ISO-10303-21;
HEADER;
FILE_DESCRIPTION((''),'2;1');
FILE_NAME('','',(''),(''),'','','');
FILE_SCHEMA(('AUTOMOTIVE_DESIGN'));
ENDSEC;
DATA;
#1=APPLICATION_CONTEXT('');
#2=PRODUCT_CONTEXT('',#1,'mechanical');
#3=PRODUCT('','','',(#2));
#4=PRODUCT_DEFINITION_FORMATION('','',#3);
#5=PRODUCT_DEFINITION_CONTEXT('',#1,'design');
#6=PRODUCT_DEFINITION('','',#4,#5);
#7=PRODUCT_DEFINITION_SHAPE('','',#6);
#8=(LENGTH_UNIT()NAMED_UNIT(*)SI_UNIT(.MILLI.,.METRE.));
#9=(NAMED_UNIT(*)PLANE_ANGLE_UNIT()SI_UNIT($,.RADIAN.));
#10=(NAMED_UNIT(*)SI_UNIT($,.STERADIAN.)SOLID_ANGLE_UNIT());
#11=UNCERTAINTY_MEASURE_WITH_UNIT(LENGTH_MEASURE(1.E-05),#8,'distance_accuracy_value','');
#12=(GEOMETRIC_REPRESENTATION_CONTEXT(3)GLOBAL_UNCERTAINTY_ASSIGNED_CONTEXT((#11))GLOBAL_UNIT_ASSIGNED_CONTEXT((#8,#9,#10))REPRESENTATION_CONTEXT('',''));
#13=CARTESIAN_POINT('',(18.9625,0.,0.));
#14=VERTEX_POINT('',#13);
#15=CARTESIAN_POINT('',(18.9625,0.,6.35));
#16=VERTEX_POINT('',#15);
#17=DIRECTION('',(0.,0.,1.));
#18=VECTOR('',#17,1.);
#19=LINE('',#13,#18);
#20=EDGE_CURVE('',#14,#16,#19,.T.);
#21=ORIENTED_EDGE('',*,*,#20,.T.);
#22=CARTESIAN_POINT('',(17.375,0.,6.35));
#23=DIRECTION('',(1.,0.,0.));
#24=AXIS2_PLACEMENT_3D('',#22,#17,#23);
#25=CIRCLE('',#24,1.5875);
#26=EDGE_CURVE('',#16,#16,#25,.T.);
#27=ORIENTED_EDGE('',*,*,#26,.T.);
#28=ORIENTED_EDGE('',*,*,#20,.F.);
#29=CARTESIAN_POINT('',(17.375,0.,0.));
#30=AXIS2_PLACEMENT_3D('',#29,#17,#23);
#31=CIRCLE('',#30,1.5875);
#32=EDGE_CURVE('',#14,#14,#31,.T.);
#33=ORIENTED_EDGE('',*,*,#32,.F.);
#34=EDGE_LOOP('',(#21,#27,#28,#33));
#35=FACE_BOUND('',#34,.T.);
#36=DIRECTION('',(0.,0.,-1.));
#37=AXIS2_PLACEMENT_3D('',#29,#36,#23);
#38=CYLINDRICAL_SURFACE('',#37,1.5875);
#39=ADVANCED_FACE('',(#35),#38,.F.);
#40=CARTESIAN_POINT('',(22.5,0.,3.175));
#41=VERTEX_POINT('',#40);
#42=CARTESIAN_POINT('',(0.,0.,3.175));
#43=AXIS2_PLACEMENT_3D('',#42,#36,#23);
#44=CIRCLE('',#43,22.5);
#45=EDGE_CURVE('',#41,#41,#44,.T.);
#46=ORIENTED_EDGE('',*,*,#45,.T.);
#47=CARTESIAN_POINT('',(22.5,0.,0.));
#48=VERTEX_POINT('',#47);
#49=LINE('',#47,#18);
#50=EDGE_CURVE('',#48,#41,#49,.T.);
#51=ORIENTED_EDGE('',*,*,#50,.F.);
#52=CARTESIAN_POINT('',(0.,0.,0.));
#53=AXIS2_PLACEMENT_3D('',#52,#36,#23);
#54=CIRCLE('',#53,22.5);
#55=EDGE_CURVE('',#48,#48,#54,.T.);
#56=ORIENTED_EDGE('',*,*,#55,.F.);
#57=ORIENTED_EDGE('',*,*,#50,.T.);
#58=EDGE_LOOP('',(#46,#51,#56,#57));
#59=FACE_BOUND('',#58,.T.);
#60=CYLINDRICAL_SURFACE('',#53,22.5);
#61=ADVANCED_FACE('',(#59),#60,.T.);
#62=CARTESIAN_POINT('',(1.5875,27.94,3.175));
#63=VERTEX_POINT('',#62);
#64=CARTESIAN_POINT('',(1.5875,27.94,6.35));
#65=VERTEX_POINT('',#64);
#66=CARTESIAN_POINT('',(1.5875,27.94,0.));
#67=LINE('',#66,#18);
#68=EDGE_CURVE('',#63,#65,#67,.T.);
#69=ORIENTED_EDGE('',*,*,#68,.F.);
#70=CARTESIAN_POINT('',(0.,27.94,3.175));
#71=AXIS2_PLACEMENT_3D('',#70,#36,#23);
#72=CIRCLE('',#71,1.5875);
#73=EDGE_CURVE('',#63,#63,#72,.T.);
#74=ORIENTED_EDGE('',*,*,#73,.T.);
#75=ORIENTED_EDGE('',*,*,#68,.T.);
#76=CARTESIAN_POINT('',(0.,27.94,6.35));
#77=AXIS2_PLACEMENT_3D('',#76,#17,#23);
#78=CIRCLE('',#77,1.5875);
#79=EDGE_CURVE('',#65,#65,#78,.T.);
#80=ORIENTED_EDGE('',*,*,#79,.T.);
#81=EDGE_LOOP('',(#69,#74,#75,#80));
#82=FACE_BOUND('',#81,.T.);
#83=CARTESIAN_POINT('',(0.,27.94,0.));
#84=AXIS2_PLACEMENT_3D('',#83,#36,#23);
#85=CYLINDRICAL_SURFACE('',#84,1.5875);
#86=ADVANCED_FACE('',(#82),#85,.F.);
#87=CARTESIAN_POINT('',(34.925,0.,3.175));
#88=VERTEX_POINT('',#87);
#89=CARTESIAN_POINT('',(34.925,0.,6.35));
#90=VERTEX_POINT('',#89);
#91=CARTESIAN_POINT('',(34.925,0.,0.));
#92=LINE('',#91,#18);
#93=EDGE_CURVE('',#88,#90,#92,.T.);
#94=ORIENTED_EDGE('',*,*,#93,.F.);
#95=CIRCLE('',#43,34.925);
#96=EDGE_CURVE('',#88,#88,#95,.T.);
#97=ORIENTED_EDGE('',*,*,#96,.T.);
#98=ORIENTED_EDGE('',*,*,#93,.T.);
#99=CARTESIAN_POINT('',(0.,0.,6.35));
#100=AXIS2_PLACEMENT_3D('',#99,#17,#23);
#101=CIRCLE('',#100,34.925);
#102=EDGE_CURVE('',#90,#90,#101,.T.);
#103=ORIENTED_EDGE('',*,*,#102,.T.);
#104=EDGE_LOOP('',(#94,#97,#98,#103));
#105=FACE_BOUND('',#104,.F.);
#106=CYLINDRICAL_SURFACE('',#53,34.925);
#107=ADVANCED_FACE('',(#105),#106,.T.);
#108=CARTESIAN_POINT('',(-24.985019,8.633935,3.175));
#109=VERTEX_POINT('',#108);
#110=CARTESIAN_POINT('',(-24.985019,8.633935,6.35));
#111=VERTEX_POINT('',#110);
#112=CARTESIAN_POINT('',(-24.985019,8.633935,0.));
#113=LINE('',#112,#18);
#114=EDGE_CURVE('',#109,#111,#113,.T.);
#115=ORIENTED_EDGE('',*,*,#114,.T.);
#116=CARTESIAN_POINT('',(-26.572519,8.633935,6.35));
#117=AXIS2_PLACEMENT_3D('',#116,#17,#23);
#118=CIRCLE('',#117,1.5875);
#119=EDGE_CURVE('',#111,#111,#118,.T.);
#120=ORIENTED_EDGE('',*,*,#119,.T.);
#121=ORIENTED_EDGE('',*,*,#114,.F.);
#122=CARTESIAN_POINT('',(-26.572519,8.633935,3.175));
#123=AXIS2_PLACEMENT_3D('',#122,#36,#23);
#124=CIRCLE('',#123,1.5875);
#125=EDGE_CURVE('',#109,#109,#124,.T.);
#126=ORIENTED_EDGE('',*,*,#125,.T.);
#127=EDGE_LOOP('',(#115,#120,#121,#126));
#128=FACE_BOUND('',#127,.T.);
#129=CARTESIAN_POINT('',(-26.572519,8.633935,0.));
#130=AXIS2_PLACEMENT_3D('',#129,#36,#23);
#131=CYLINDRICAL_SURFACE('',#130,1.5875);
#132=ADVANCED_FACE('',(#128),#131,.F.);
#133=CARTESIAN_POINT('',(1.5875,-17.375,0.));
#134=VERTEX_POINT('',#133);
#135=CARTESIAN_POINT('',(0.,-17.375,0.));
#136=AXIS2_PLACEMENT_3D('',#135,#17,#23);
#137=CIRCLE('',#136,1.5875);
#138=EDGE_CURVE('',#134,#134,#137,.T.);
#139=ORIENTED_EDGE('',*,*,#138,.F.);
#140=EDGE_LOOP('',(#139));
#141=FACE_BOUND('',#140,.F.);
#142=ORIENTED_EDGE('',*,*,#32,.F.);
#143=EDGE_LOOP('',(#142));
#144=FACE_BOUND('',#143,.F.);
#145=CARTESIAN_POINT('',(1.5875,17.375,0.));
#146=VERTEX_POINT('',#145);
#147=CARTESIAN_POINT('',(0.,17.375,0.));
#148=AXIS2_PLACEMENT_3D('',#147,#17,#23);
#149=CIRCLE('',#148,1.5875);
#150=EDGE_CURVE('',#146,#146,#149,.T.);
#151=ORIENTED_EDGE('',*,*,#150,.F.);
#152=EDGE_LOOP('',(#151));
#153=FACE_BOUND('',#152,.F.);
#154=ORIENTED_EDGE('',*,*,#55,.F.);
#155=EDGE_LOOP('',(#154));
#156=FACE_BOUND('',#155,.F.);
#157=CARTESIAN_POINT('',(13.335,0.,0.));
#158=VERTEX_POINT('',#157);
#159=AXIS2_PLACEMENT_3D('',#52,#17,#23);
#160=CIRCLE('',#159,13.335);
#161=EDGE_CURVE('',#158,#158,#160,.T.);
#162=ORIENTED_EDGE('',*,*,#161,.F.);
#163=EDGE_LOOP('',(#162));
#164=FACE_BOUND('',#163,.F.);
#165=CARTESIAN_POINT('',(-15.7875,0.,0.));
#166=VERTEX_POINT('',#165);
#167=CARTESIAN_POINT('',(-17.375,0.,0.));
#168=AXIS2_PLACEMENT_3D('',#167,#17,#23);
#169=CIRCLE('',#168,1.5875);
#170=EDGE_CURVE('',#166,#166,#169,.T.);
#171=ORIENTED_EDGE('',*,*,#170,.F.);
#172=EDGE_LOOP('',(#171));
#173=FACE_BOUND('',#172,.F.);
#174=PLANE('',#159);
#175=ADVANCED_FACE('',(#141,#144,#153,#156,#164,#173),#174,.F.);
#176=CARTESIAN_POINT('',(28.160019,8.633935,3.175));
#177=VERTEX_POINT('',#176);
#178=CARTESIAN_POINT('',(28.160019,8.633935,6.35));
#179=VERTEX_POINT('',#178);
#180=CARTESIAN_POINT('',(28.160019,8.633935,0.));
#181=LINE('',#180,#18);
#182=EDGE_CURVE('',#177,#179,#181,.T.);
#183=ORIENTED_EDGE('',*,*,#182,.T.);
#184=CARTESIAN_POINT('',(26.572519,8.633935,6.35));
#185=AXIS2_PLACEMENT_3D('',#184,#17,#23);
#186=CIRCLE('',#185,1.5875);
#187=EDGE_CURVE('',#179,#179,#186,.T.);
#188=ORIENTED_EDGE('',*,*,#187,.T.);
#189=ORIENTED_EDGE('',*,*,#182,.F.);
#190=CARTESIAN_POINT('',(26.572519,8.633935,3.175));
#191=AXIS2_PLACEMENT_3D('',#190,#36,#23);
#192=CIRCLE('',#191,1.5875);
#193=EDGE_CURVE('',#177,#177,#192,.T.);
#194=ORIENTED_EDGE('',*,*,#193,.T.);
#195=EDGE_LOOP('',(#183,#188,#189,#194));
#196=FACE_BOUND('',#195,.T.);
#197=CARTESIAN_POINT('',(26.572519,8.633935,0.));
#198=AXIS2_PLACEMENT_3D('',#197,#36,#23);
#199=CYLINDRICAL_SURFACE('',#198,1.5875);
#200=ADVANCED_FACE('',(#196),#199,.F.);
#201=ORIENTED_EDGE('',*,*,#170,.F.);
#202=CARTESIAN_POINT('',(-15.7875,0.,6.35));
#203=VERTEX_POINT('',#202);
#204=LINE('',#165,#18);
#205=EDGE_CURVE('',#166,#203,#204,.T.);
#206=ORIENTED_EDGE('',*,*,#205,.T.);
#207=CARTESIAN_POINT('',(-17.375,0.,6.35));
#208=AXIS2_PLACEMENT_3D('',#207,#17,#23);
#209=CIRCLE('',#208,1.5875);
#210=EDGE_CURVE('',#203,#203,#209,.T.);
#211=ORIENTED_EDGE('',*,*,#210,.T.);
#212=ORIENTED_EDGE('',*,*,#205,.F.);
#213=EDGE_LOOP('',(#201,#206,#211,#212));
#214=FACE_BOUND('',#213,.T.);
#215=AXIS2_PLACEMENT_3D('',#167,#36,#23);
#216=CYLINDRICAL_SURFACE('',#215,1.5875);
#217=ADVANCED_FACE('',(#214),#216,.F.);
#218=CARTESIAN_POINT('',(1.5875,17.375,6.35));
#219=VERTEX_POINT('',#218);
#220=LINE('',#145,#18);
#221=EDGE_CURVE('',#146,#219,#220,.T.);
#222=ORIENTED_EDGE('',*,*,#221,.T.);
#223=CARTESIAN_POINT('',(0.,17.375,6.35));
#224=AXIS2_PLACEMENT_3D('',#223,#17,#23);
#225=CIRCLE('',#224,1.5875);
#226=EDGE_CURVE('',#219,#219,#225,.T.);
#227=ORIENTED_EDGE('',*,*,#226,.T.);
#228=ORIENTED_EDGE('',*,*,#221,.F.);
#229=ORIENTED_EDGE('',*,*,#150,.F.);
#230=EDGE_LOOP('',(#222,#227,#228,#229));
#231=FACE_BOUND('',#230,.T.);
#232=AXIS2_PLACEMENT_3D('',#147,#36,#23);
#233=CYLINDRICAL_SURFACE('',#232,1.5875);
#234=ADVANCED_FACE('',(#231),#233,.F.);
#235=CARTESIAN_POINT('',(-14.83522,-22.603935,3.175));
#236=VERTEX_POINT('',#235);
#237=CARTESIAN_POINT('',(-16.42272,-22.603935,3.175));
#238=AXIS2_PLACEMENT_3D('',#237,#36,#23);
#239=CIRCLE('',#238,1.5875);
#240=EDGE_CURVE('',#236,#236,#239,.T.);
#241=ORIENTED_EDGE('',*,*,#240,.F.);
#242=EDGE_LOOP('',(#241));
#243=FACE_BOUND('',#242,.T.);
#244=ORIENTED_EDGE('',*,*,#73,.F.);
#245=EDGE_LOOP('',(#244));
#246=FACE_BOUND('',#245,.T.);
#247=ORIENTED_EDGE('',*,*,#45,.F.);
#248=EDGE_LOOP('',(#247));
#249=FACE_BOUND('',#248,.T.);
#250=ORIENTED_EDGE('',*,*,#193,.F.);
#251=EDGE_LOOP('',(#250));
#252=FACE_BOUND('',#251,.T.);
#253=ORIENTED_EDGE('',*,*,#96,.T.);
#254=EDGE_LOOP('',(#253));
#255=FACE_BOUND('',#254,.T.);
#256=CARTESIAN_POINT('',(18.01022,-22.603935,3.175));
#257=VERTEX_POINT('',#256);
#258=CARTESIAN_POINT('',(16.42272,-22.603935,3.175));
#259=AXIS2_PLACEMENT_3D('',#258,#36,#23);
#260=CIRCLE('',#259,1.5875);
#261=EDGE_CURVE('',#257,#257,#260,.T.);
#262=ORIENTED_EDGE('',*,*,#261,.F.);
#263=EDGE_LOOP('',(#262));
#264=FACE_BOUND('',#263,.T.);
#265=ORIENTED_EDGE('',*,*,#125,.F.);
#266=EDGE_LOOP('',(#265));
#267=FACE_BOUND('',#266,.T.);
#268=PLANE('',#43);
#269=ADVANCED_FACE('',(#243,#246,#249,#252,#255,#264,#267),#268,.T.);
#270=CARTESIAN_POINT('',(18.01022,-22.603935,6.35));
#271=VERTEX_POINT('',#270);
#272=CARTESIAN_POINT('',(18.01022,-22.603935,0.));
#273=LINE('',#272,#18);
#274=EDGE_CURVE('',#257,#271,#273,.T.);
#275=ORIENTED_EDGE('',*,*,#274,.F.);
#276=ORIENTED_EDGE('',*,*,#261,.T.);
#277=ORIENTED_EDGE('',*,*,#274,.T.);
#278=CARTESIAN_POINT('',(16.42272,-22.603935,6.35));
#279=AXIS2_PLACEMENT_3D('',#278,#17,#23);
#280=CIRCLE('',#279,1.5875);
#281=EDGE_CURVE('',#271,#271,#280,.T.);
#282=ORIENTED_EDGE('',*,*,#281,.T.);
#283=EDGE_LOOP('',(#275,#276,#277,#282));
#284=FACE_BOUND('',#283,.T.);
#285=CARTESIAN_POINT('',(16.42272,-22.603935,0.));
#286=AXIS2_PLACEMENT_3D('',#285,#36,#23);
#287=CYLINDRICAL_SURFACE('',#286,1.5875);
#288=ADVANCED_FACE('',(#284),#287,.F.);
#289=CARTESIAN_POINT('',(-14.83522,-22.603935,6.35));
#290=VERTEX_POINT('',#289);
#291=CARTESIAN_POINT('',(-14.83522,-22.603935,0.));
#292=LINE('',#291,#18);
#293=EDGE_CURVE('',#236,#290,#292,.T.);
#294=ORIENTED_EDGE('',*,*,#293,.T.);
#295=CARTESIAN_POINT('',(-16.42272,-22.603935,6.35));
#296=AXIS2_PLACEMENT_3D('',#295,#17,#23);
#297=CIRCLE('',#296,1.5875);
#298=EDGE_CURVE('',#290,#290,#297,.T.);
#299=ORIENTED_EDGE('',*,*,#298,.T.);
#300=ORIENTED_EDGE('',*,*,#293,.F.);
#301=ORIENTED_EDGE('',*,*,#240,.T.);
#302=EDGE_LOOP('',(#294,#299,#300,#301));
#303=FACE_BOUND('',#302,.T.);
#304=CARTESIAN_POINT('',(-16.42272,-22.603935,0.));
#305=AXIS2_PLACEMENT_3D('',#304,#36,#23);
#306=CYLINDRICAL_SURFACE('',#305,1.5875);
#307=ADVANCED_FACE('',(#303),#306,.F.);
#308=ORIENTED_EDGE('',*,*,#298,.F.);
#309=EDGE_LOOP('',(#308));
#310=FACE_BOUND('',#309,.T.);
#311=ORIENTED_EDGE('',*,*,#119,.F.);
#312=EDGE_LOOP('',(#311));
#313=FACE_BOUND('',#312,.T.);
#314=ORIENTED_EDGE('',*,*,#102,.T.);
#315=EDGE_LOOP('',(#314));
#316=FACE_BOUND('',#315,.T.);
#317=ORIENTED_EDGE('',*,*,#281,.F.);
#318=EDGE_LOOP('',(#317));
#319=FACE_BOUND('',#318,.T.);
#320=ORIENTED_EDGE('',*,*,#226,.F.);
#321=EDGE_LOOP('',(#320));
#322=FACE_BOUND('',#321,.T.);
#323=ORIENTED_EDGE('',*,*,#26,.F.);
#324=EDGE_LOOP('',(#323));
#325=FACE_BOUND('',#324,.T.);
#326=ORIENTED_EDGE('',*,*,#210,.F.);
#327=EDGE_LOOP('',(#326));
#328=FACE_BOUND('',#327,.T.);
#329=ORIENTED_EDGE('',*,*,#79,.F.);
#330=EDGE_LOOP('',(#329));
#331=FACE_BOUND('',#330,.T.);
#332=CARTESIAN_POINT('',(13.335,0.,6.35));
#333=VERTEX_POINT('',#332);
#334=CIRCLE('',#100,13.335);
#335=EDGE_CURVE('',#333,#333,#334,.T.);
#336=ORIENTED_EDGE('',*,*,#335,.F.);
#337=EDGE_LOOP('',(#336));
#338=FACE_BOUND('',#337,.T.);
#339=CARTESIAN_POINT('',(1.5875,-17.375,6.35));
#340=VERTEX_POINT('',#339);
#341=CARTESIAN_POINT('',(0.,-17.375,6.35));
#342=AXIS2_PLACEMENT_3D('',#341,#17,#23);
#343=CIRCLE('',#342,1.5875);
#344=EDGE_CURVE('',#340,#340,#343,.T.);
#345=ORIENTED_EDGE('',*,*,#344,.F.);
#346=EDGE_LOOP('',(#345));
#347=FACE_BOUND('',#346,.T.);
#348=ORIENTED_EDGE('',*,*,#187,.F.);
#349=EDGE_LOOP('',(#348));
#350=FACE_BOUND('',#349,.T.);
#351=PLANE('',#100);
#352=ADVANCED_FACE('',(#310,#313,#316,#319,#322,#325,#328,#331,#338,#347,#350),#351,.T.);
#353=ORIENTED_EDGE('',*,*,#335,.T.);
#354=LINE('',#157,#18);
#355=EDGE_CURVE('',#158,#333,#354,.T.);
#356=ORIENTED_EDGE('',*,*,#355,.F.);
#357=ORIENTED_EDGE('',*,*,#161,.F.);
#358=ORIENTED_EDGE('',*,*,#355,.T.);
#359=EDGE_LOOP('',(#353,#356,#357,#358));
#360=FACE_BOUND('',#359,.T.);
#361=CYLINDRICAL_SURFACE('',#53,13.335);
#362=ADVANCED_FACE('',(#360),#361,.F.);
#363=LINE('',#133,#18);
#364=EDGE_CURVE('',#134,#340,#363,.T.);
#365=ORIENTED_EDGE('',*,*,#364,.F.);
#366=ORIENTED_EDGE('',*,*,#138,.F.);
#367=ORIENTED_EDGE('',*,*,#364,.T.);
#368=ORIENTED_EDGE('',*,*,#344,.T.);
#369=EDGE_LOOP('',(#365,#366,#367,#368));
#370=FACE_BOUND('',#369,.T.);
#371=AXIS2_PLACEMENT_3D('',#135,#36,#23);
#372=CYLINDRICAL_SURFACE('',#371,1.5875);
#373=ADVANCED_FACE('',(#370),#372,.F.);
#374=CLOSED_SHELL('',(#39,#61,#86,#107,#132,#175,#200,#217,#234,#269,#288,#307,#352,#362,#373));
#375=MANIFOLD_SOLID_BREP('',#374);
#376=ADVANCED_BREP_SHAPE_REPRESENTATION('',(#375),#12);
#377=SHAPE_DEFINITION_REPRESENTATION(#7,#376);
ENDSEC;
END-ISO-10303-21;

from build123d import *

# Parameters (mm, degrees)
F0_R     = 34.925
F0_R_2   = 1.5875
F0_R_3   = 13.335
F1_DEPTH = 6.35
F2_R     = 34.925
F2_R_2   = 22.5
F3_DEPTH = 3.175


with BuildPart() as f1:
    # F0 (on Top) → F1 (new body)
    with BuildSketch(Plane.XY):
        Circle(F0_R)
        with Locations((-16.42272, -22.603935)):
            Circle(F0_R_2, mode=Mode.SUBTRACT)
        with Locations((16.42272, -22.603935)):
            Circle(F0_R_2, mode=Mode.SUBTRACT)
        with Locations((0, -17.375)):
            Circle(F0_R_2, mode=Mode.SUBTRACT)
        with Locations((-26.572519, 8.633935)):
            Circle(F0_R_2, mode=Mode.SUBTRACT)
        with Locations((-17.375, 0)):
            Circle(F0_R_2, mode=Mode.SUBTRACT)
        Circle(F0_R_3, mode=Mode.SUBTRACT)
        with Locations((17.375, 0)):
            Circle(F0_R_2, mode=Mode.SUBTRACT)
        with Locations((0, 17.375)):
            Circle(F0_R_2, mode=Mode.SUBTRACT)
        with Locations((26.572519, 8.633935)):
            Circle(F0_R_2, mode=Mode.SUBTRACT)
        with Locations((0, 27.94)):
            Circle(F0_R_2, mode=Mode.SUBTRACT)
    extrude(amount=F1_DEPTH)

    # F2 (on face) → F3 (cut)
    with BuildSketch(Plane(origin=(0, 0, 0), x_dir=(1, 0, 0), z_dir=(0, 0, -1))):
        Circle(F2_R)
        Circle(F2_R_2, mode=Mode.SUBTRACT)
    extrude(amount=-F3_DEPTH, mode=Mode.SUBTRACT)


solid = f1.part
